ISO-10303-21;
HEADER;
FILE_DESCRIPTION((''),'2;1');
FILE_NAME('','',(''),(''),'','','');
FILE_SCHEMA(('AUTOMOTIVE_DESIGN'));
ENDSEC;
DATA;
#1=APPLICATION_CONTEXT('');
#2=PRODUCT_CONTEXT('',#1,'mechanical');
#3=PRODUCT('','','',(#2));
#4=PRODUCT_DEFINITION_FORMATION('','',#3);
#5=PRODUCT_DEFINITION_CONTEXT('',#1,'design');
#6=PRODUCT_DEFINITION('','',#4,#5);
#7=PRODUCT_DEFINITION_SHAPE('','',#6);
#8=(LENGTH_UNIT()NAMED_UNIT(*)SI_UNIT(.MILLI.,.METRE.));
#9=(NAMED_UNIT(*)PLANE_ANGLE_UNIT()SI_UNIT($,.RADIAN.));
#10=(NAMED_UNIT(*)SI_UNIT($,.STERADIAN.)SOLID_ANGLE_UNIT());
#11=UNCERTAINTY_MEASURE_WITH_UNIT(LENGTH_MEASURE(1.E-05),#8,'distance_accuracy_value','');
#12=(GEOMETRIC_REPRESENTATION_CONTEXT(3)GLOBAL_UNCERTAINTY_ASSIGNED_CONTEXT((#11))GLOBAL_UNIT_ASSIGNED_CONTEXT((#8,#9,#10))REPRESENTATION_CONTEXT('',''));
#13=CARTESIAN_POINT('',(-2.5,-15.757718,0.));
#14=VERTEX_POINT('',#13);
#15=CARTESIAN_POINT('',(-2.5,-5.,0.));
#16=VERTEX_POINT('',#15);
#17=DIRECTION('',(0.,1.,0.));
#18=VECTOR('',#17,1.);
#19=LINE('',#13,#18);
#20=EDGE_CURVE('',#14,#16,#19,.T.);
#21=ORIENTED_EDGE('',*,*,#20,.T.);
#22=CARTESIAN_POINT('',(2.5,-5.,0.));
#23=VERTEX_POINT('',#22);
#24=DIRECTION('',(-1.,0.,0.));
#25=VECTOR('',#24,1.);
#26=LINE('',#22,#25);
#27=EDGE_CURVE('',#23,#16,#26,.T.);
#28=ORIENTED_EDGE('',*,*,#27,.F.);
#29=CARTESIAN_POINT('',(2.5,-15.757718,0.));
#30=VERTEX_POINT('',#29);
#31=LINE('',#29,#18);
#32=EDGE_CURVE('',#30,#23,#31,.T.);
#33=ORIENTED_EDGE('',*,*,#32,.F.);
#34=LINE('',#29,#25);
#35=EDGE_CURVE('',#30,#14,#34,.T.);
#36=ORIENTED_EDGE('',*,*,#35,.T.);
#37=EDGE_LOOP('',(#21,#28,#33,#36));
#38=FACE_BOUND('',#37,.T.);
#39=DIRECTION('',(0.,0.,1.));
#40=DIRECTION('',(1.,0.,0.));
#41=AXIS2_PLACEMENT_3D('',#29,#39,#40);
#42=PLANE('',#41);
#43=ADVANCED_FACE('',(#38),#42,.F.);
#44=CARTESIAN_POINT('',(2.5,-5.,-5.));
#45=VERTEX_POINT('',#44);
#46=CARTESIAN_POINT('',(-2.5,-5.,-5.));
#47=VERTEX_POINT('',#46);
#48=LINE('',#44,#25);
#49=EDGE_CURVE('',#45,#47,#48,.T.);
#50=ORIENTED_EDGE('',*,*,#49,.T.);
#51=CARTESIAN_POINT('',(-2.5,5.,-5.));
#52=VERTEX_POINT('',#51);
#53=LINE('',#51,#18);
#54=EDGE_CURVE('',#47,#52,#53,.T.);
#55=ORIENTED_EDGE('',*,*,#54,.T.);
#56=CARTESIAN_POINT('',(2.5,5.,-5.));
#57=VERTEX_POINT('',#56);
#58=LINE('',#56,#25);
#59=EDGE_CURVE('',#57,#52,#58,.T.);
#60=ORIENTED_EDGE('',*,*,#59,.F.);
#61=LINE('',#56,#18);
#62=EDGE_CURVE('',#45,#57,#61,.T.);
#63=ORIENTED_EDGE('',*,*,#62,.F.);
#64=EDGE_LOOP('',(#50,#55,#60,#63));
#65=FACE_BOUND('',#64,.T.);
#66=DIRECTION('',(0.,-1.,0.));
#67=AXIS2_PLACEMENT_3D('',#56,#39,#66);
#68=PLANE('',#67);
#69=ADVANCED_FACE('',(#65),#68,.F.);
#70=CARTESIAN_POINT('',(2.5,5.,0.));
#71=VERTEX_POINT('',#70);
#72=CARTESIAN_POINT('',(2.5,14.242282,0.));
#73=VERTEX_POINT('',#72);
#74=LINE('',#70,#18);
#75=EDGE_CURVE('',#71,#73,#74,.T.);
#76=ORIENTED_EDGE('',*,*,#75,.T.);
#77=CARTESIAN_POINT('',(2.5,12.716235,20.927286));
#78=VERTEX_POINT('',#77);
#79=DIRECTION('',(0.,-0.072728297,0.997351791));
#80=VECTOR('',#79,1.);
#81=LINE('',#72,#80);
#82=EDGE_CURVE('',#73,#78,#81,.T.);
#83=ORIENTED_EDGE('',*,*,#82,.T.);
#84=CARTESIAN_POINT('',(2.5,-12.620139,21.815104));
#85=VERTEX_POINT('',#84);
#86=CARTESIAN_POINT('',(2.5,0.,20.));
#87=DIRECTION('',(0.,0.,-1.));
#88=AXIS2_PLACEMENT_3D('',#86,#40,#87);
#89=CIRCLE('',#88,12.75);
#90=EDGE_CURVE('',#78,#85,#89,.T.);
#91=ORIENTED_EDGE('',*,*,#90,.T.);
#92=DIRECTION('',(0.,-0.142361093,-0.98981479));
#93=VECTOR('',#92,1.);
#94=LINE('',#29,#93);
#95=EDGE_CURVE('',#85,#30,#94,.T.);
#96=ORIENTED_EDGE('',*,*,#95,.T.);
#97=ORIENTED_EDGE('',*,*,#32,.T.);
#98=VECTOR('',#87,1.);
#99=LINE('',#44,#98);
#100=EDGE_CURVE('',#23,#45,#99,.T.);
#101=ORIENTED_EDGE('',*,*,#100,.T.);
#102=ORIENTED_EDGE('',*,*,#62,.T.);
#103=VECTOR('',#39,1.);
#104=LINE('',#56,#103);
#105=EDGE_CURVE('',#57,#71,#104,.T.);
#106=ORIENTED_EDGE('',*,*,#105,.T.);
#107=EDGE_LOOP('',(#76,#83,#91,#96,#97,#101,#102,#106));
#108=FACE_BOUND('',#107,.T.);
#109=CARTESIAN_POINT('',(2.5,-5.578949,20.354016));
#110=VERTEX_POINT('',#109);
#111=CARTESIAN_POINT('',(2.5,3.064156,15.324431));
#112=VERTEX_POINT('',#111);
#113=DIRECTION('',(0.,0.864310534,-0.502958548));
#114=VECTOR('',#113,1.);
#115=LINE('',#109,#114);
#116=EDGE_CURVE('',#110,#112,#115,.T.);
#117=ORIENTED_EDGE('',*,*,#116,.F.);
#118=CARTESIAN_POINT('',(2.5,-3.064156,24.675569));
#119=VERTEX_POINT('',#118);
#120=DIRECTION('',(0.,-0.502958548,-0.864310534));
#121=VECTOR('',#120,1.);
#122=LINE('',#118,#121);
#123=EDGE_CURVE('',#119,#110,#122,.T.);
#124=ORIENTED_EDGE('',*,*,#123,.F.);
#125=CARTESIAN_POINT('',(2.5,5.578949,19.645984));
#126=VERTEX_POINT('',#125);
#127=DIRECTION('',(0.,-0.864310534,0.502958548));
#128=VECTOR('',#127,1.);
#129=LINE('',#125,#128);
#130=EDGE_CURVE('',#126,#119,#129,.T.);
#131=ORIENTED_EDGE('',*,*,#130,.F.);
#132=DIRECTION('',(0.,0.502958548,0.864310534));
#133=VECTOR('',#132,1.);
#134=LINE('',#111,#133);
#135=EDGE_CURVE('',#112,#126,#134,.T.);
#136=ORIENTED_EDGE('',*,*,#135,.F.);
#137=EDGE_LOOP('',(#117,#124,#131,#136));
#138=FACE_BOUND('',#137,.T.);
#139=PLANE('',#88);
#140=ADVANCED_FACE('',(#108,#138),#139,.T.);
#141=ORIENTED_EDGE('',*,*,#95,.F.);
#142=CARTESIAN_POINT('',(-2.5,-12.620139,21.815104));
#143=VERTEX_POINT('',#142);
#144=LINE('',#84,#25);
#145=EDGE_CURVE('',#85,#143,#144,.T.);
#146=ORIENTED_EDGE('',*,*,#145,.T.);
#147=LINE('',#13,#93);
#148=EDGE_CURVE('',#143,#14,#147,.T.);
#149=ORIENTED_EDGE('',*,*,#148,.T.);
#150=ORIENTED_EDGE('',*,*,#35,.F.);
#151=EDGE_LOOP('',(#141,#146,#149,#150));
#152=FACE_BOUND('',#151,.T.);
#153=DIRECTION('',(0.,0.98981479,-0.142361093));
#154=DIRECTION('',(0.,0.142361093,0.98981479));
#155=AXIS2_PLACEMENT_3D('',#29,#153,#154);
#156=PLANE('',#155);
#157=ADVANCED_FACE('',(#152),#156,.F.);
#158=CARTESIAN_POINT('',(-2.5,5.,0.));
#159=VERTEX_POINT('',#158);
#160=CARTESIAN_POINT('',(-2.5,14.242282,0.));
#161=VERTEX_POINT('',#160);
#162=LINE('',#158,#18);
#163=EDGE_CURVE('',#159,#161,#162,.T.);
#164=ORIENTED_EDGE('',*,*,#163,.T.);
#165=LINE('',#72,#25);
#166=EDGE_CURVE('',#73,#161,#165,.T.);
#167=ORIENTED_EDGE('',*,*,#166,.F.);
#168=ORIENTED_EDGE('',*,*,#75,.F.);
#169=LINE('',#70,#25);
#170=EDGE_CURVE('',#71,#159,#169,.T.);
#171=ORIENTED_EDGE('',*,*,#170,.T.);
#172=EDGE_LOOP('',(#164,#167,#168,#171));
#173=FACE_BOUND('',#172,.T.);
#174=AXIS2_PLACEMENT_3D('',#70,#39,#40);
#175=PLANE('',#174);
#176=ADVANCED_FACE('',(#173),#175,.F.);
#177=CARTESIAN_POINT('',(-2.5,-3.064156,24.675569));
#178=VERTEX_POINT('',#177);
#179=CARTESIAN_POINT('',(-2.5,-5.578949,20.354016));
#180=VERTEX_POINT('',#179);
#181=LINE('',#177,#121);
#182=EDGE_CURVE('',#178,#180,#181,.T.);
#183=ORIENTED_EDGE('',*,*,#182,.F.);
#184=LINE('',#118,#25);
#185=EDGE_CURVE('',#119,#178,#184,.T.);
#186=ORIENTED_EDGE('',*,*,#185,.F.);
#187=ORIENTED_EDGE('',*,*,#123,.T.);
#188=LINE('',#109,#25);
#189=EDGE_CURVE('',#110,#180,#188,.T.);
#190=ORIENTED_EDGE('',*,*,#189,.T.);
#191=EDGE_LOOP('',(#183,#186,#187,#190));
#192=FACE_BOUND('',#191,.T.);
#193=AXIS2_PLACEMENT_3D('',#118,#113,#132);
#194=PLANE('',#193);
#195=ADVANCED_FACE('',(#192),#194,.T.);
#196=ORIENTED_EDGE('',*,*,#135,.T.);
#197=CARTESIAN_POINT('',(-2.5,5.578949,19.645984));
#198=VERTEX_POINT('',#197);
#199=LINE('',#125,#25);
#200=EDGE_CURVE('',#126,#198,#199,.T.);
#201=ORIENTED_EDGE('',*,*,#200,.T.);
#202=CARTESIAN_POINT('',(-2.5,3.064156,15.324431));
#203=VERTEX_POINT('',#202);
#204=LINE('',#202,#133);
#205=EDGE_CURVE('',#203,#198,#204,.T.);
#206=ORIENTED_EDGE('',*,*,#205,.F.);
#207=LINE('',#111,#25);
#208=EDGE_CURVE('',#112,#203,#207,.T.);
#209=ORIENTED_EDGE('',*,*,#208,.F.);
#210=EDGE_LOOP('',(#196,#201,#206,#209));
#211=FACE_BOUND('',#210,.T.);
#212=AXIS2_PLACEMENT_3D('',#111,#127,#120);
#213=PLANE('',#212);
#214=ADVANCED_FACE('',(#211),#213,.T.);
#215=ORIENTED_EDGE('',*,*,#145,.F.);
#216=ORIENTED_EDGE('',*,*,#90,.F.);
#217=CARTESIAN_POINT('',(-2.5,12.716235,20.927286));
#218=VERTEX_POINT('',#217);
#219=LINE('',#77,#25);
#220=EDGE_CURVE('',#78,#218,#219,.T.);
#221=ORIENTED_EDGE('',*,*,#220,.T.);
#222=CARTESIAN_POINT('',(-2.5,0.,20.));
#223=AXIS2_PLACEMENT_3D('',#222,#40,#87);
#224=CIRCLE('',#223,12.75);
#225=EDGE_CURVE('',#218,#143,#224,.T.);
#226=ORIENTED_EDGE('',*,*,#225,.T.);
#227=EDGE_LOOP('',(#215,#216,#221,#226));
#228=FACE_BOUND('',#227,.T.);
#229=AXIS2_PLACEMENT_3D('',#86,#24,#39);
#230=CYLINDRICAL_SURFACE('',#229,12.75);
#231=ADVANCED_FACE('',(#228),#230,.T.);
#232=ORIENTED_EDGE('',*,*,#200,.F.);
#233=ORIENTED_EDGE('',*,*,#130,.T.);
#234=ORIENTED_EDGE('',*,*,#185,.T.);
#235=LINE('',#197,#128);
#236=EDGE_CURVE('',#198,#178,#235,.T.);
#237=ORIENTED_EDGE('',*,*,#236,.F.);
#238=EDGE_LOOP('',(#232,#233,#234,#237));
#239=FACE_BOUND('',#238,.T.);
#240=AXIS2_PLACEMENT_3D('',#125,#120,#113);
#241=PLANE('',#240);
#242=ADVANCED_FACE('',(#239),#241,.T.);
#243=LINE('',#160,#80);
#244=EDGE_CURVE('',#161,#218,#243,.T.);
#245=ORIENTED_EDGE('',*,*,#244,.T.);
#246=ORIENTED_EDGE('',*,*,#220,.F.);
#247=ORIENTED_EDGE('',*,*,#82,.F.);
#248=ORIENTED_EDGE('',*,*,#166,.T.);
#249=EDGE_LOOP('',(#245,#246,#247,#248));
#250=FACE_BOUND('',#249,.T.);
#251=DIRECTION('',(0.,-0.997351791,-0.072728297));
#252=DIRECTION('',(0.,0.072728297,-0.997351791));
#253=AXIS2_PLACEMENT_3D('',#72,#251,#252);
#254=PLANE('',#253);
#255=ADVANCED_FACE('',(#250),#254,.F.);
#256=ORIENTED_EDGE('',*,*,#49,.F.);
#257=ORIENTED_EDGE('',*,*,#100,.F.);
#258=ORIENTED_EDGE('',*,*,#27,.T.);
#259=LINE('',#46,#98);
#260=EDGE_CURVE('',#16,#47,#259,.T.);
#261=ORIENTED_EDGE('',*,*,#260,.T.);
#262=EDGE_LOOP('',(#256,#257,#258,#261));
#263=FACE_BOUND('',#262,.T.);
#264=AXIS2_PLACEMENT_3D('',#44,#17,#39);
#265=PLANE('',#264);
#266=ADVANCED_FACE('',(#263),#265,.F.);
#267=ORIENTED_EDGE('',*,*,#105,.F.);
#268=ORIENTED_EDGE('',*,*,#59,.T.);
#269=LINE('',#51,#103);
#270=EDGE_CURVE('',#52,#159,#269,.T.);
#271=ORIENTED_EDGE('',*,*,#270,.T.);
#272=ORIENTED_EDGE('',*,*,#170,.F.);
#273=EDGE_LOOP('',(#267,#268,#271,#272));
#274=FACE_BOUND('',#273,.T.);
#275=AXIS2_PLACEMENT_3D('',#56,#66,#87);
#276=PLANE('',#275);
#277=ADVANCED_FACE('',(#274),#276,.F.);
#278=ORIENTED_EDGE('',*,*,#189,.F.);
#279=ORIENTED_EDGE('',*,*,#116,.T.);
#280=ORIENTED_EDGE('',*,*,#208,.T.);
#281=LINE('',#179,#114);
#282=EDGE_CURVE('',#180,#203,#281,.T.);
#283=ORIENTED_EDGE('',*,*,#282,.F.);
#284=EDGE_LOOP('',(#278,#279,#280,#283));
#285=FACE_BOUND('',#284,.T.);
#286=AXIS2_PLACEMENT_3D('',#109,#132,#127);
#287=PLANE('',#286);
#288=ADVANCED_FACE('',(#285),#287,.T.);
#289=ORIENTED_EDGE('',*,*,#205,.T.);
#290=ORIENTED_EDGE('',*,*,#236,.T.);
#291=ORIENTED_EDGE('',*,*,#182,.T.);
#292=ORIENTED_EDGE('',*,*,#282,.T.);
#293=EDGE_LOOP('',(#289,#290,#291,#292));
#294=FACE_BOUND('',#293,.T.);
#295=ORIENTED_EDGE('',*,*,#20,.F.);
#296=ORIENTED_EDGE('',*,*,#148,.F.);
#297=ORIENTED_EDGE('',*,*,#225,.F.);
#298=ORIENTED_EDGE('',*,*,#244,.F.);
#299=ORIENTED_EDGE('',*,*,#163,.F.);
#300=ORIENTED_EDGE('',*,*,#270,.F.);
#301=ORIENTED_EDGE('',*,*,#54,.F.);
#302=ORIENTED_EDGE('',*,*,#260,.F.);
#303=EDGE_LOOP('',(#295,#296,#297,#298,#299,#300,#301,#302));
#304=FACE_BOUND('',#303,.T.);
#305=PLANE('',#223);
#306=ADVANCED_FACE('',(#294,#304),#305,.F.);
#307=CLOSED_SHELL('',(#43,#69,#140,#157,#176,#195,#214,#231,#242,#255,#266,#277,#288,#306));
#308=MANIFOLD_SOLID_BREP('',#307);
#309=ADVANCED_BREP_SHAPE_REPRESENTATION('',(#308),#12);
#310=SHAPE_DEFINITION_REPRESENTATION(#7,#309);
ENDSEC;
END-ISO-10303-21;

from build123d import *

# Parameters (mm, degrees)
BOSS_EXTRUDE1_DEPTH = 2.5


with BuildPart() as part:
    # Sketch1 → Boss-Extrude1 (new, symmetric)
    with BuildSketch(Plane.YZ):
        with BuildLine():
            Line((-15.757717512, 0), (-5, 0))
            Line((-5, 0), (-5, -5))
            Line((-5, -5), (5, -5))
            Line((5, -5), (5, 0))
            Line((5, 0), (14.242282488, 0))
            Line((14.242282488, 0), (12.716235334, 20.927285791))
            ThreePointArc((12.716235334, 20.927285791), (0.446501859, 32.742179409), (-12.620138577, 21.815103933))
            Line((-12.620138577, 21.815103933), (-15.757717512, 0))
        make_face()
        Polygon((5.57894904, 19.645983596), (-3.064156301, 24.675569074), (-5.57894904, 20.354016404), (3.064156301, 15.324430926), align=None, mode=Mode.SUBTRACT)
    extrude(amount=BOSS_EXTRUDE1_DEPTH, both=True)


solid = part.part
